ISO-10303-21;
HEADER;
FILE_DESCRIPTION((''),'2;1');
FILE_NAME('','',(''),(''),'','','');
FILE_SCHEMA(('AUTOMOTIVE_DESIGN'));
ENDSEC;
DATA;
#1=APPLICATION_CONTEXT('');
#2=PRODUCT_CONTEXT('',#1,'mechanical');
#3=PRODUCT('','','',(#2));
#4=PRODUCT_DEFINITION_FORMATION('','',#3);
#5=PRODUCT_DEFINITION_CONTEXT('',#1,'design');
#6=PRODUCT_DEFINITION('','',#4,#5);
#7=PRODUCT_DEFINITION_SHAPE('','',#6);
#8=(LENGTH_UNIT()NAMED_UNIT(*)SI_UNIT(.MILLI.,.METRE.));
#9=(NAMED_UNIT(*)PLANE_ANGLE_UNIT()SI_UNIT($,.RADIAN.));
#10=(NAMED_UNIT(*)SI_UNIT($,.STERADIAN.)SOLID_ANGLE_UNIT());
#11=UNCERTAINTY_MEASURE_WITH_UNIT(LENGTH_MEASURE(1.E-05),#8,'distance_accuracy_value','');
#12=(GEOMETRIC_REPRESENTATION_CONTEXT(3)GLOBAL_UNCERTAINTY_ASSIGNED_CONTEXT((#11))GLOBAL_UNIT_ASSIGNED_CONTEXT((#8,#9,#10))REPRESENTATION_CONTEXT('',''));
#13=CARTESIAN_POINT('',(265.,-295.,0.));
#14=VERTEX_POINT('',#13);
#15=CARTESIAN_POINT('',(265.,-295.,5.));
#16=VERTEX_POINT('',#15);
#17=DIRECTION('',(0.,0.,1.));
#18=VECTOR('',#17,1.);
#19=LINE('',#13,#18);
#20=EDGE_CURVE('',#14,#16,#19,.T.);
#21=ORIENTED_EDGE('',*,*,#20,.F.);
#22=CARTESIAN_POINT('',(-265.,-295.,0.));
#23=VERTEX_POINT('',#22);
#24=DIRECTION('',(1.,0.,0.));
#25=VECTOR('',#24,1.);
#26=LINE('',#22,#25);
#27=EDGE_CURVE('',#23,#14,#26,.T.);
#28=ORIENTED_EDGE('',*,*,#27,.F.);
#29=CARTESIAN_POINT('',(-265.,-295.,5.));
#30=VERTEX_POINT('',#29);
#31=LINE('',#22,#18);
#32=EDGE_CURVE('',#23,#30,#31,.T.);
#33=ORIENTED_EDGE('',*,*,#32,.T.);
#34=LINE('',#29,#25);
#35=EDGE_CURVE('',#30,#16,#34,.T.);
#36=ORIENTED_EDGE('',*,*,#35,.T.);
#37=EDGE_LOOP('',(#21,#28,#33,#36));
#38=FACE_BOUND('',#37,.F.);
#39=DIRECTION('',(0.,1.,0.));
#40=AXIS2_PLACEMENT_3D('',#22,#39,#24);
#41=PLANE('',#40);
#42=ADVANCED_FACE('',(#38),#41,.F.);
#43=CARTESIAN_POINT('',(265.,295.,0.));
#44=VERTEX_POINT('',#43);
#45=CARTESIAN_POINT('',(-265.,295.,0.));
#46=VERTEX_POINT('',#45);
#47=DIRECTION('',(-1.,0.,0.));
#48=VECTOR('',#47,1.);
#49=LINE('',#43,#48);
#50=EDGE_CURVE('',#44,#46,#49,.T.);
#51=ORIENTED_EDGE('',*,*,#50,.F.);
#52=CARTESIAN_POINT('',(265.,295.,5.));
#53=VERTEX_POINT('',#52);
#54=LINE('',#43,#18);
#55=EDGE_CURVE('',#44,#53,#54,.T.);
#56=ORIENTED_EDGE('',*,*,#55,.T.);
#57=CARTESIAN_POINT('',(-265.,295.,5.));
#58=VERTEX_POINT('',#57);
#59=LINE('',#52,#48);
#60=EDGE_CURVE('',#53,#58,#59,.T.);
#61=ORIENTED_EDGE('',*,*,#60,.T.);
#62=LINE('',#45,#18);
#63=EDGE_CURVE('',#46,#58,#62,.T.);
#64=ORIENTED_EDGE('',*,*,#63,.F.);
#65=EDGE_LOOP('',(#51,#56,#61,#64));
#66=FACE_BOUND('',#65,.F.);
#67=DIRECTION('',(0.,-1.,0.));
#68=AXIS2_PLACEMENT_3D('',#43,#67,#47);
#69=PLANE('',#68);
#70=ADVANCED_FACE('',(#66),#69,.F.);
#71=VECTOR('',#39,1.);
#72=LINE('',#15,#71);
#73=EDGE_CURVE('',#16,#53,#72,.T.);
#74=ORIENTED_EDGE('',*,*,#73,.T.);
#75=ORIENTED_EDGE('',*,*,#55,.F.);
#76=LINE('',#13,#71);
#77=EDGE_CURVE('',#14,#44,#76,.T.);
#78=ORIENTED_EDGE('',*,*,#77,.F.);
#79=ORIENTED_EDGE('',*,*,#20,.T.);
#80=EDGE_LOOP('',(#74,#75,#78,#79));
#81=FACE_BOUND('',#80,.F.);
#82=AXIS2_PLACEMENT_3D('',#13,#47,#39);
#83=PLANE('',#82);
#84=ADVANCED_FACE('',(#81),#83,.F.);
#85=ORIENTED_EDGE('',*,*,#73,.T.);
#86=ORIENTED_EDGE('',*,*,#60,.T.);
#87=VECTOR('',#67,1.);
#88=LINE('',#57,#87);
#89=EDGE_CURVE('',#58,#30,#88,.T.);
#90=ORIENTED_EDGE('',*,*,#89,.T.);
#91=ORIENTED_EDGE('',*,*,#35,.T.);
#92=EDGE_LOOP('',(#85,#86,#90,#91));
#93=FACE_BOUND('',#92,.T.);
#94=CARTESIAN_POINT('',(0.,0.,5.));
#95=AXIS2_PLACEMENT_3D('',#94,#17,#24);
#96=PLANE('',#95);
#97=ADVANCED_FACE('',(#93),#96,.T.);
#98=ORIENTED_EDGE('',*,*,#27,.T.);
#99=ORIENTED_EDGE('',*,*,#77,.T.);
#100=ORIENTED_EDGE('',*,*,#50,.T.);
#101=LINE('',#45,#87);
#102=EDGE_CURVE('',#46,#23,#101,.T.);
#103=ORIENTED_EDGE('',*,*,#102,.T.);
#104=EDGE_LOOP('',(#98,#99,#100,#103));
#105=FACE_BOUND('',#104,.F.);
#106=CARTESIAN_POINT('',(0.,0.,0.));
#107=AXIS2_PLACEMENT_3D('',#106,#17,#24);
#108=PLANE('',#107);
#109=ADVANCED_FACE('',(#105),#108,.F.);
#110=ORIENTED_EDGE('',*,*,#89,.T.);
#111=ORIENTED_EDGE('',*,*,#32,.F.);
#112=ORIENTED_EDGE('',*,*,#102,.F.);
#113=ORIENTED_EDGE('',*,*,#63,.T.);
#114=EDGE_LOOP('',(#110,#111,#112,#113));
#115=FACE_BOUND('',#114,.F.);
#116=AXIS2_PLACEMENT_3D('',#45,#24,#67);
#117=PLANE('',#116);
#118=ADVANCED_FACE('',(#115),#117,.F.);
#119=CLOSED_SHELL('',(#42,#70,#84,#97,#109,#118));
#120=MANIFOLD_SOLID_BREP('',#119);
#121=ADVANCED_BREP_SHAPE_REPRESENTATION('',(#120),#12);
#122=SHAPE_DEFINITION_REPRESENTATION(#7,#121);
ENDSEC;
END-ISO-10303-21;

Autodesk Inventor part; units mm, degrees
ref_plane "YZ Plane" through (0, 0, 0) normal (1, 0, 0) x (0, 1, 0)
ref_plane "XZ Plane" through (0, 0, 0) normal (0, 1, 0) x (-1, 0, 0)
ref_plane "XY Plane" through (0, 0, 0) normal (0, 0, 1) x (1, 0, 0)
sketch "스케치1" plane through (0, 0, 0) normal (0, 0, 1) x (1, 0, 0)
  line L0 (-265, -295) -> (265, -295)
  line L1 (265, -295) -> (265, 295)
  line L2 (265, 295) -> (-265, 295)
  line L3 (-265, 295) -> (-265, -295)
  line L4 (-265, -295) -> (265, 295) construction
  line L5 (265, -295) -> (-265, 295) construction
  point P0 (0, 0)
  dimension "d0" = 530
  dimension "d1" = 590
extrude "돌출1" add sketch "스케치1" along normal blind 5
properties part number "530x590 패널"
